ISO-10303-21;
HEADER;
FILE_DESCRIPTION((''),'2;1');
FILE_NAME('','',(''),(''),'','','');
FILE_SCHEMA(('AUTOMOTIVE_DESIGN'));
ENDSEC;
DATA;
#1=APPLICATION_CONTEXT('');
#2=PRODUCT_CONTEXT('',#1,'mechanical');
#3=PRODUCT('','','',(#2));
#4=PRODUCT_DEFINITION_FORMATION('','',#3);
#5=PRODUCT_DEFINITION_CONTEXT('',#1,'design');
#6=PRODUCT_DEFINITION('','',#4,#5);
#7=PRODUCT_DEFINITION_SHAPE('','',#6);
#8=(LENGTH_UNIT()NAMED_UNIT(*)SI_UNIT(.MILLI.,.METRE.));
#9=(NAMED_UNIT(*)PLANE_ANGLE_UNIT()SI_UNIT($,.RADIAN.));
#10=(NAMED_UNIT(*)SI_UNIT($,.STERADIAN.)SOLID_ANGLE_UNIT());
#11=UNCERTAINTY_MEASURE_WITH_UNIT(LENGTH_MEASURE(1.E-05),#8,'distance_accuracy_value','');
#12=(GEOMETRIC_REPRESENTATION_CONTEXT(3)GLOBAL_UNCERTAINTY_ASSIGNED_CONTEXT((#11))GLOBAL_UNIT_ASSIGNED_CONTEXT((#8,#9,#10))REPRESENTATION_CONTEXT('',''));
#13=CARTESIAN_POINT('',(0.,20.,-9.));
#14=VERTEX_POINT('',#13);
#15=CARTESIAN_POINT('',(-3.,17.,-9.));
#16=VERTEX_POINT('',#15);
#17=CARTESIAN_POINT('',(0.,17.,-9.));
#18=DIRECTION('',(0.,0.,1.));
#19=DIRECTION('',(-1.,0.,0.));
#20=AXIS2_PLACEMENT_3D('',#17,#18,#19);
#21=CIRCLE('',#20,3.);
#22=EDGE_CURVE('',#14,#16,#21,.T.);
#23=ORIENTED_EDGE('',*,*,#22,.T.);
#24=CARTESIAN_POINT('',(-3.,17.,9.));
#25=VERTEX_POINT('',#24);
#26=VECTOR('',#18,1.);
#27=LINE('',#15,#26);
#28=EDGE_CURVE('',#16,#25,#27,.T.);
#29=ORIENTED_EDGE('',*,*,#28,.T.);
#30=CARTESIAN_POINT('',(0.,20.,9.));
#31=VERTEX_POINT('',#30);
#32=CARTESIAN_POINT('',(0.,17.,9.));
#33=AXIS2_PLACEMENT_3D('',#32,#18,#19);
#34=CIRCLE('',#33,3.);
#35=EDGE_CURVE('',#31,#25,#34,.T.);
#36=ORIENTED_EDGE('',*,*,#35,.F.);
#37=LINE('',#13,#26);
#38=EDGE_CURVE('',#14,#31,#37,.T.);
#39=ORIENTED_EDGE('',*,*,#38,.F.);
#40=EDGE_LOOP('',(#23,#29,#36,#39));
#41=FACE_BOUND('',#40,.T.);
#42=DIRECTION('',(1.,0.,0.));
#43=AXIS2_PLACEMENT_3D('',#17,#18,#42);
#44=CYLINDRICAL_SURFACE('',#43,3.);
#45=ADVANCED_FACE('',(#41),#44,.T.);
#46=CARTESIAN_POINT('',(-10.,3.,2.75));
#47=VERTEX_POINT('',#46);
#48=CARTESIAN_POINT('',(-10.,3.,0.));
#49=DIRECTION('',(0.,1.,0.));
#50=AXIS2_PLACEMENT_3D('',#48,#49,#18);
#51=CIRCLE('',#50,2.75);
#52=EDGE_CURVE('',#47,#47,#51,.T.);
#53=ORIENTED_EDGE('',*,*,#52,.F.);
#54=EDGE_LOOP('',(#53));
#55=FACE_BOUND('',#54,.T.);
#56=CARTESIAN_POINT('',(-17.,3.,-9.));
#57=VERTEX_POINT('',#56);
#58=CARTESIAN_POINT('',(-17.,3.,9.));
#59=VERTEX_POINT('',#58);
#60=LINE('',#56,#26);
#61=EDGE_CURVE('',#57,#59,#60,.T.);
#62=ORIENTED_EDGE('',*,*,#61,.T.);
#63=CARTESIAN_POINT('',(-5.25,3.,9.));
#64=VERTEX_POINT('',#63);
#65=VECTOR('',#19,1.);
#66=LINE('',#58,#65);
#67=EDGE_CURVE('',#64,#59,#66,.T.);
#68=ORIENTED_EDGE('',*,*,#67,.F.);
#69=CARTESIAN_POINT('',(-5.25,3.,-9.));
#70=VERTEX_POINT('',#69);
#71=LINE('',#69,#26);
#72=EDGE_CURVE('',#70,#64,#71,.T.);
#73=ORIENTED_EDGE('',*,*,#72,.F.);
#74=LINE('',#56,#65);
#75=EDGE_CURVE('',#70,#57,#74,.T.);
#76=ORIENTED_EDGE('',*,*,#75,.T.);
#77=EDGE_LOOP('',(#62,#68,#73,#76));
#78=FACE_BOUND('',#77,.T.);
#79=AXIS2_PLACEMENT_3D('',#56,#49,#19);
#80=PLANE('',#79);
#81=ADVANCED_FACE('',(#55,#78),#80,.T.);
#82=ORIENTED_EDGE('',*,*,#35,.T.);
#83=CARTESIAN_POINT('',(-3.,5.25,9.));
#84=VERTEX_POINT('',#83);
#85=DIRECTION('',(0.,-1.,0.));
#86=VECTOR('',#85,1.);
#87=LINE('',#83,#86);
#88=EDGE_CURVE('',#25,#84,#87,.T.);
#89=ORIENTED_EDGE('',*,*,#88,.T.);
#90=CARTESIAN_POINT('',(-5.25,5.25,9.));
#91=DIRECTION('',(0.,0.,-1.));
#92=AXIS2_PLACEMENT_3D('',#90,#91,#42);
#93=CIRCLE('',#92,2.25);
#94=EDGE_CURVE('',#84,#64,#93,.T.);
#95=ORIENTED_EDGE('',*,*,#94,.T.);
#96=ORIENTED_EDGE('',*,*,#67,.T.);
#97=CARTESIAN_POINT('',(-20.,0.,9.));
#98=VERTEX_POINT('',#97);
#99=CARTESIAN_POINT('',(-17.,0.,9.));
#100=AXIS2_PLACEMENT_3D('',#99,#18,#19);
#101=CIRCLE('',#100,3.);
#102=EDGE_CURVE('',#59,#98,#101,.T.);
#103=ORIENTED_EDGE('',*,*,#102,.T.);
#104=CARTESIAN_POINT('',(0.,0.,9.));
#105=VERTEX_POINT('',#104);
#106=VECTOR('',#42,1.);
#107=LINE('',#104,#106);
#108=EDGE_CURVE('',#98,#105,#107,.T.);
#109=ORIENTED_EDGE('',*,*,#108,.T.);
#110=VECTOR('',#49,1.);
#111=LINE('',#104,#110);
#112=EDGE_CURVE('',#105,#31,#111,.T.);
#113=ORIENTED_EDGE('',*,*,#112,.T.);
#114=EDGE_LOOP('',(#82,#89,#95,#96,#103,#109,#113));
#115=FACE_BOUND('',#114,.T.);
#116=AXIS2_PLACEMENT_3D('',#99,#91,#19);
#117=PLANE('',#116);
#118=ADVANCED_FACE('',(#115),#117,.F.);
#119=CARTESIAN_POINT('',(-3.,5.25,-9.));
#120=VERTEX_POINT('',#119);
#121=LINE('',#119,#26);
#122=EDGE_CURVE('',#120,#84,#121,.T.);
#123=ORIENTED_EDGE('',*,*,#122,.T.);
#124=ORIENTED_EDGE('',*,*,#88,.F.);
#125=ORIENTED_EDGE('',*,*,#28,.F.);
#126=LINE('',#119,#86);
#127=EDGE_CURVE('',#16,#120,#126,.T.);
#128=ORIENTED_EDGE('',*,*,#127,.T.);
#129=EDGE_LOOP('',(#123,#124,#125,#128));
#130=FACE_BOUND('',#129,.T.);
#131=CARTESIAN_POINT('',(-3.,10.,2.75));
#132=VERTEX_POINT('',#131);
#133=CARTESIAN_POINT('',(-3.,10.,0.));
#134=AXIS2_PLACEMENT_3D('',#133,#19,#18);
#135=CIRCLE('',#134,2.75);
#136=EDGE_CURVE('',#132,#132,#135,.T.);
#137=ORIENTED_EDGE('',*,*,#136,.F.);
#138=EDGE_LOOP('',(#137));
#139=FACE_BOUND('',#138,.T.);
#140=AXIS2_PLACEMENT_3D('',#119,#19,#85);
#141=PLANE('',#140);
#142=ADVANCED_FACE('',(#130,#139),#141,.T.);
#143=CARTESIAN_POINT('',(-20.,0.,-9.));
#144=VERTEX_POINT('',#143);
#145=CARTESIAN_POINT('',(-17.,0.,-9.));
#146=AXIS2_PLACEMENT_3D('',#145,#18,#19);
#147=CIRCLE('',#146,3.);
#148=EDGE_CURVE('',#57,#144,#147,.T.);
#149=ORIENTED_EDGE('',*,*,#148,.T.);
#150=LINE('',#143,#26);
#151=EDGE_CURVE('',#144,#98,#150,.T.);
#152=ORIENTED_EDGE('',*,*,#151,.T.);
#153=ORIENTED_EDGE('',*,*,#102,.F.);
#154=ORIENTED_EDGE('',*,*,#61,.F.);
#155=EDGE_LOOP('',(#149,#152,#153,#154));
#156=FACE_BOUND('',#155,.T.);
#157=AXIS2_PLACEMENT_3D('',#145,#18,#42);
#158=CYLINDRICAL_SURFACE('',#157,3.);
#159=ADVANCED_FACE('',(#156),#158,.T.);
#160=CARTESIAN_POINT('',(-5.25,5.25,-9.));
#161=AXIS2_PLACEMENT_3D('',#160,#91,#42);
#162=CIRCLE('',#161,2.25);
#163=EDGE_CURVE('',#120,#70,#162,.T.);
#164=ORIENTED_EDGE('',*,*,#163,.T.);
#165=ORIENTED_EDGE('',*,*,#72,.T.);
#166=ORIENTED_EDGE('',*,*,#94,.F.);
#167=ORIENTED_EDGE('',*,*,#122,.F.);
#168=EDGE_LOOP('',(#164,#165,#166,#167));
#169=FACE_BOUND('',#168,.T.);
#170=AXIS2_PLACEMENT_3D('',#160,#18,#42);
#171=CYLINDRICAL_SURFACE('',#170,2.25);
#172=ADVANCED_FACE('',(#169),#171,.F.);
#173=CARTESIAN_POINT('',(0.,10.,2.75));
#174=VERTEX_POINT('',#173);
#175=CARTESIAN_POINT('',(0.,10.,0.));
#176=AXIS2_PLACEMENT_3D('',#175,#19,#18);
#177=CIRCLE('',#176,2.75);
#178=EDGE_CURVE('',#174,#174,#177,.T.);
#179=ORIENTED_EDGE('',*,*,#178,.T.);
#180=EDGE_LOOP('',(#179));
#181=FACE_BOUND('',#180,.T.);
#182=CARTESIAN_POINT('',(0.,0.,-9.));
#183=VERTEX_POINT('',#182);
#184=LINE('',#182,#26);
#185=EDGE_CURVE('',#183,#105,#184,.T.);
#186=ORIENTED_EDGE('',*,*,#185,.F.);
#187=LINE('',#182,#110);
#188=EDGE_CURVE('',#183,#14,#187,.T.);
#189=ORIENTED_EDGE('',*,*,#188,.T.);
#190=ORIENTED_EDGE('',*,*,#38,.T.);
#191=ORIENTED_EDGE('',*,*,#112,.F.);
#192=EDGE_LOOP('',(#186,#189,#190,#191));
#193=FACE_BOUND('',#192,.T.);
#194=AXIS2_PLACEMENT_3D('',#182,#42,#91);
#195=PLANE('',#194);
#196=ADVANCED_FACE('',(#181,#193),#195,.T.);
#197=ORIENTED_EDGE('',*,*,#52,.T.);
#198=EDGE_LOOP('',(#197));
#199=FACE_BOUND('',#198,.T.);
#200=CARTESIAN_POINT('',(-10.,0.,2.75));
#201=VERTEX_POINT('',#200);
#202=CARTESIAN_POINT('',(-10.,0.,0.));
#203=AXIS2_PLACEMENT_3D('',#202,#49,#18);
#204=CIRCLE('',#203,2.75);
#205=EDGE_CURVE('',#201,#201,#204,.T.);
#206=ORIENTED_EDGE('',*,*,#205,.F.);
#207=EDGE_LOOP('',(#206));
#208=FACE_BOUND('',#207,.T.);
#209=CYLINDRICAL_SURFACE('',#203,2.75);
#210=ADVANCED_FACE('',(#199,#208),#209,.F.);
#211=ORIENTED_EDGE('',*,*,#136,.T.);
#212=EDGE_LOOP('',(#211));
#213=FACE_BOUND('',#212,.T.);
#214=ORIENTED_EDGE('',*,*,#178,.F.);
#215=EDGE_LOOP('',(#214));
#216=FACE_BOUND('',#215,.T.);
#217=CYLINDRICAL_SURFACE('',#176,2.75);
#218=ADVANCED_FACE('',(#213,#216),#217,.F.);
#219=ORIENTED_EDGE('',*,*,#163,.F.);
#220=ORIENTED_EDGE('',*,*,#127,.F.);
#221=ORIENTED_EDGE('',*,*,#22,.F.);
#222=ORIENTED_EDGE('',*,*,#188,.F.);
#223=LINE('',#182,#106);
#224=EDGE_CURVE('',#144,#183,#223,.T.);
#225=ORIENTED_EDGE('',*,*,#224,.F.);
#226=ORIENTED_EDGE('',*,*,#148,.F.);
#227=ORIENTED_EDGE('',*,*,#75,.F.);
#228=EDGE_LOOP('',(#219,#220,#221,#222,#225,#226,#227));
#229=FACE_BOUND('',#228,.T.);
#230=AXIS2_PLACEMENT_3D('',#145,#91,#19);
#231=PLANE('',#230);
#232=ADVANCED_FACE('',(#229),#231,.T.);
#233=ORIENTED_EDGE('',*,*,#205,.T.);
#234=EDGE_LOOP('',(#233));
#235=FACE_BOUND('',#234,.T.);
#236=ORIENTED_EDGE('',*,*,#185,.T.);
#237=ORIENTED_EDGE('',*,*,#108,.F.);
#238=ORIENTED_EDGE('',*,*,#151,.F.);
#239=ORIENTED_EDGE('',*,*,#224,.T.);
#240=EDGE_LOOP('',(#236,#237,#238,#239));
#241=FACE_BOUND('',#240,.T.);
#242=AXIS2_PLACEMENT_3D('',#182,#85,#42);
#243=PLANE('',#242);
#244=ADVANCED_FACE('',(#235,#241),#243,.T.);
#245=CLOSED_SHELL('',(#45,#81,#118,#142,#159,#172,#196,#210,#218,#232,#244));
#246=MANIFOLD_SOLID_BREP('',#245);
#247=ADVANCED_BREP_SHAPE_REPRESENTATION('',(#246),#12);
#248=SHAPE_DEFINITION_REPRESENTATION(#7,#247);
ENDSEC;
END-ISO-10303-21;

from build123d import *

# Parameters (mm, degrees)
EXTRUDE1_DEPTH     = 9
SKETCH2_R          = 2.75
CUT_EXTRUDE1_DEPTH = 4
SKETCH3_R          = 2.75
CUT_EXTRUDE2_DEPTH = 4


with BuildPart() as part:
    # Sketch1 → Extrude1 (new body, symmetric)
    with BuildSketch(Plane.XY):
        with BuildLine():
            Line((0, 0), (0, 20))
            ThreePointArc((0, 20), (-2.121320344, 19.121320344), (-3, 17))
            Line((-3, 17), (-3, 5.25))
            ThreePointArc((-3, 5.25), (-3.659009742, 3.659009742), (-5.25, 3))
            Line((-5.25, 3), (-17, 3))
            ThreePointArc((-17, 3), (-19.121320344, 2.121320344), (-20, 0))
            Line((-20, 0), (0, 0))
        make_face()
    extrude(amount=EXTRUDE1_DEPTH, both=True)

    # Sketch2 → Cut-Extrude1 (cut, through all)
    with BuildSketch(Plane(origin=(0, 3, 0), x_dir=(1, 0, 0), z_dir=(0, 1, 0))):
        with Locations((-10, 0)):
            Circle(SKETCH2_R)
    extrude(amount=-CUT_EXTRUDE1_DEPTH, mode=Mode.SUBTRACT)

    # Sketch3 → Cut-Extrude2 (cut, through all)
    with BuildSketch(Plane.ZY.offset(3)):
        with Locations((0, 10)):
            Circle(SKETCH3_R)
    extrude(amount=-CUT_EXTRUDE2_DEPTH, mode=Mode.SUBTRACT)


solid = part.part
